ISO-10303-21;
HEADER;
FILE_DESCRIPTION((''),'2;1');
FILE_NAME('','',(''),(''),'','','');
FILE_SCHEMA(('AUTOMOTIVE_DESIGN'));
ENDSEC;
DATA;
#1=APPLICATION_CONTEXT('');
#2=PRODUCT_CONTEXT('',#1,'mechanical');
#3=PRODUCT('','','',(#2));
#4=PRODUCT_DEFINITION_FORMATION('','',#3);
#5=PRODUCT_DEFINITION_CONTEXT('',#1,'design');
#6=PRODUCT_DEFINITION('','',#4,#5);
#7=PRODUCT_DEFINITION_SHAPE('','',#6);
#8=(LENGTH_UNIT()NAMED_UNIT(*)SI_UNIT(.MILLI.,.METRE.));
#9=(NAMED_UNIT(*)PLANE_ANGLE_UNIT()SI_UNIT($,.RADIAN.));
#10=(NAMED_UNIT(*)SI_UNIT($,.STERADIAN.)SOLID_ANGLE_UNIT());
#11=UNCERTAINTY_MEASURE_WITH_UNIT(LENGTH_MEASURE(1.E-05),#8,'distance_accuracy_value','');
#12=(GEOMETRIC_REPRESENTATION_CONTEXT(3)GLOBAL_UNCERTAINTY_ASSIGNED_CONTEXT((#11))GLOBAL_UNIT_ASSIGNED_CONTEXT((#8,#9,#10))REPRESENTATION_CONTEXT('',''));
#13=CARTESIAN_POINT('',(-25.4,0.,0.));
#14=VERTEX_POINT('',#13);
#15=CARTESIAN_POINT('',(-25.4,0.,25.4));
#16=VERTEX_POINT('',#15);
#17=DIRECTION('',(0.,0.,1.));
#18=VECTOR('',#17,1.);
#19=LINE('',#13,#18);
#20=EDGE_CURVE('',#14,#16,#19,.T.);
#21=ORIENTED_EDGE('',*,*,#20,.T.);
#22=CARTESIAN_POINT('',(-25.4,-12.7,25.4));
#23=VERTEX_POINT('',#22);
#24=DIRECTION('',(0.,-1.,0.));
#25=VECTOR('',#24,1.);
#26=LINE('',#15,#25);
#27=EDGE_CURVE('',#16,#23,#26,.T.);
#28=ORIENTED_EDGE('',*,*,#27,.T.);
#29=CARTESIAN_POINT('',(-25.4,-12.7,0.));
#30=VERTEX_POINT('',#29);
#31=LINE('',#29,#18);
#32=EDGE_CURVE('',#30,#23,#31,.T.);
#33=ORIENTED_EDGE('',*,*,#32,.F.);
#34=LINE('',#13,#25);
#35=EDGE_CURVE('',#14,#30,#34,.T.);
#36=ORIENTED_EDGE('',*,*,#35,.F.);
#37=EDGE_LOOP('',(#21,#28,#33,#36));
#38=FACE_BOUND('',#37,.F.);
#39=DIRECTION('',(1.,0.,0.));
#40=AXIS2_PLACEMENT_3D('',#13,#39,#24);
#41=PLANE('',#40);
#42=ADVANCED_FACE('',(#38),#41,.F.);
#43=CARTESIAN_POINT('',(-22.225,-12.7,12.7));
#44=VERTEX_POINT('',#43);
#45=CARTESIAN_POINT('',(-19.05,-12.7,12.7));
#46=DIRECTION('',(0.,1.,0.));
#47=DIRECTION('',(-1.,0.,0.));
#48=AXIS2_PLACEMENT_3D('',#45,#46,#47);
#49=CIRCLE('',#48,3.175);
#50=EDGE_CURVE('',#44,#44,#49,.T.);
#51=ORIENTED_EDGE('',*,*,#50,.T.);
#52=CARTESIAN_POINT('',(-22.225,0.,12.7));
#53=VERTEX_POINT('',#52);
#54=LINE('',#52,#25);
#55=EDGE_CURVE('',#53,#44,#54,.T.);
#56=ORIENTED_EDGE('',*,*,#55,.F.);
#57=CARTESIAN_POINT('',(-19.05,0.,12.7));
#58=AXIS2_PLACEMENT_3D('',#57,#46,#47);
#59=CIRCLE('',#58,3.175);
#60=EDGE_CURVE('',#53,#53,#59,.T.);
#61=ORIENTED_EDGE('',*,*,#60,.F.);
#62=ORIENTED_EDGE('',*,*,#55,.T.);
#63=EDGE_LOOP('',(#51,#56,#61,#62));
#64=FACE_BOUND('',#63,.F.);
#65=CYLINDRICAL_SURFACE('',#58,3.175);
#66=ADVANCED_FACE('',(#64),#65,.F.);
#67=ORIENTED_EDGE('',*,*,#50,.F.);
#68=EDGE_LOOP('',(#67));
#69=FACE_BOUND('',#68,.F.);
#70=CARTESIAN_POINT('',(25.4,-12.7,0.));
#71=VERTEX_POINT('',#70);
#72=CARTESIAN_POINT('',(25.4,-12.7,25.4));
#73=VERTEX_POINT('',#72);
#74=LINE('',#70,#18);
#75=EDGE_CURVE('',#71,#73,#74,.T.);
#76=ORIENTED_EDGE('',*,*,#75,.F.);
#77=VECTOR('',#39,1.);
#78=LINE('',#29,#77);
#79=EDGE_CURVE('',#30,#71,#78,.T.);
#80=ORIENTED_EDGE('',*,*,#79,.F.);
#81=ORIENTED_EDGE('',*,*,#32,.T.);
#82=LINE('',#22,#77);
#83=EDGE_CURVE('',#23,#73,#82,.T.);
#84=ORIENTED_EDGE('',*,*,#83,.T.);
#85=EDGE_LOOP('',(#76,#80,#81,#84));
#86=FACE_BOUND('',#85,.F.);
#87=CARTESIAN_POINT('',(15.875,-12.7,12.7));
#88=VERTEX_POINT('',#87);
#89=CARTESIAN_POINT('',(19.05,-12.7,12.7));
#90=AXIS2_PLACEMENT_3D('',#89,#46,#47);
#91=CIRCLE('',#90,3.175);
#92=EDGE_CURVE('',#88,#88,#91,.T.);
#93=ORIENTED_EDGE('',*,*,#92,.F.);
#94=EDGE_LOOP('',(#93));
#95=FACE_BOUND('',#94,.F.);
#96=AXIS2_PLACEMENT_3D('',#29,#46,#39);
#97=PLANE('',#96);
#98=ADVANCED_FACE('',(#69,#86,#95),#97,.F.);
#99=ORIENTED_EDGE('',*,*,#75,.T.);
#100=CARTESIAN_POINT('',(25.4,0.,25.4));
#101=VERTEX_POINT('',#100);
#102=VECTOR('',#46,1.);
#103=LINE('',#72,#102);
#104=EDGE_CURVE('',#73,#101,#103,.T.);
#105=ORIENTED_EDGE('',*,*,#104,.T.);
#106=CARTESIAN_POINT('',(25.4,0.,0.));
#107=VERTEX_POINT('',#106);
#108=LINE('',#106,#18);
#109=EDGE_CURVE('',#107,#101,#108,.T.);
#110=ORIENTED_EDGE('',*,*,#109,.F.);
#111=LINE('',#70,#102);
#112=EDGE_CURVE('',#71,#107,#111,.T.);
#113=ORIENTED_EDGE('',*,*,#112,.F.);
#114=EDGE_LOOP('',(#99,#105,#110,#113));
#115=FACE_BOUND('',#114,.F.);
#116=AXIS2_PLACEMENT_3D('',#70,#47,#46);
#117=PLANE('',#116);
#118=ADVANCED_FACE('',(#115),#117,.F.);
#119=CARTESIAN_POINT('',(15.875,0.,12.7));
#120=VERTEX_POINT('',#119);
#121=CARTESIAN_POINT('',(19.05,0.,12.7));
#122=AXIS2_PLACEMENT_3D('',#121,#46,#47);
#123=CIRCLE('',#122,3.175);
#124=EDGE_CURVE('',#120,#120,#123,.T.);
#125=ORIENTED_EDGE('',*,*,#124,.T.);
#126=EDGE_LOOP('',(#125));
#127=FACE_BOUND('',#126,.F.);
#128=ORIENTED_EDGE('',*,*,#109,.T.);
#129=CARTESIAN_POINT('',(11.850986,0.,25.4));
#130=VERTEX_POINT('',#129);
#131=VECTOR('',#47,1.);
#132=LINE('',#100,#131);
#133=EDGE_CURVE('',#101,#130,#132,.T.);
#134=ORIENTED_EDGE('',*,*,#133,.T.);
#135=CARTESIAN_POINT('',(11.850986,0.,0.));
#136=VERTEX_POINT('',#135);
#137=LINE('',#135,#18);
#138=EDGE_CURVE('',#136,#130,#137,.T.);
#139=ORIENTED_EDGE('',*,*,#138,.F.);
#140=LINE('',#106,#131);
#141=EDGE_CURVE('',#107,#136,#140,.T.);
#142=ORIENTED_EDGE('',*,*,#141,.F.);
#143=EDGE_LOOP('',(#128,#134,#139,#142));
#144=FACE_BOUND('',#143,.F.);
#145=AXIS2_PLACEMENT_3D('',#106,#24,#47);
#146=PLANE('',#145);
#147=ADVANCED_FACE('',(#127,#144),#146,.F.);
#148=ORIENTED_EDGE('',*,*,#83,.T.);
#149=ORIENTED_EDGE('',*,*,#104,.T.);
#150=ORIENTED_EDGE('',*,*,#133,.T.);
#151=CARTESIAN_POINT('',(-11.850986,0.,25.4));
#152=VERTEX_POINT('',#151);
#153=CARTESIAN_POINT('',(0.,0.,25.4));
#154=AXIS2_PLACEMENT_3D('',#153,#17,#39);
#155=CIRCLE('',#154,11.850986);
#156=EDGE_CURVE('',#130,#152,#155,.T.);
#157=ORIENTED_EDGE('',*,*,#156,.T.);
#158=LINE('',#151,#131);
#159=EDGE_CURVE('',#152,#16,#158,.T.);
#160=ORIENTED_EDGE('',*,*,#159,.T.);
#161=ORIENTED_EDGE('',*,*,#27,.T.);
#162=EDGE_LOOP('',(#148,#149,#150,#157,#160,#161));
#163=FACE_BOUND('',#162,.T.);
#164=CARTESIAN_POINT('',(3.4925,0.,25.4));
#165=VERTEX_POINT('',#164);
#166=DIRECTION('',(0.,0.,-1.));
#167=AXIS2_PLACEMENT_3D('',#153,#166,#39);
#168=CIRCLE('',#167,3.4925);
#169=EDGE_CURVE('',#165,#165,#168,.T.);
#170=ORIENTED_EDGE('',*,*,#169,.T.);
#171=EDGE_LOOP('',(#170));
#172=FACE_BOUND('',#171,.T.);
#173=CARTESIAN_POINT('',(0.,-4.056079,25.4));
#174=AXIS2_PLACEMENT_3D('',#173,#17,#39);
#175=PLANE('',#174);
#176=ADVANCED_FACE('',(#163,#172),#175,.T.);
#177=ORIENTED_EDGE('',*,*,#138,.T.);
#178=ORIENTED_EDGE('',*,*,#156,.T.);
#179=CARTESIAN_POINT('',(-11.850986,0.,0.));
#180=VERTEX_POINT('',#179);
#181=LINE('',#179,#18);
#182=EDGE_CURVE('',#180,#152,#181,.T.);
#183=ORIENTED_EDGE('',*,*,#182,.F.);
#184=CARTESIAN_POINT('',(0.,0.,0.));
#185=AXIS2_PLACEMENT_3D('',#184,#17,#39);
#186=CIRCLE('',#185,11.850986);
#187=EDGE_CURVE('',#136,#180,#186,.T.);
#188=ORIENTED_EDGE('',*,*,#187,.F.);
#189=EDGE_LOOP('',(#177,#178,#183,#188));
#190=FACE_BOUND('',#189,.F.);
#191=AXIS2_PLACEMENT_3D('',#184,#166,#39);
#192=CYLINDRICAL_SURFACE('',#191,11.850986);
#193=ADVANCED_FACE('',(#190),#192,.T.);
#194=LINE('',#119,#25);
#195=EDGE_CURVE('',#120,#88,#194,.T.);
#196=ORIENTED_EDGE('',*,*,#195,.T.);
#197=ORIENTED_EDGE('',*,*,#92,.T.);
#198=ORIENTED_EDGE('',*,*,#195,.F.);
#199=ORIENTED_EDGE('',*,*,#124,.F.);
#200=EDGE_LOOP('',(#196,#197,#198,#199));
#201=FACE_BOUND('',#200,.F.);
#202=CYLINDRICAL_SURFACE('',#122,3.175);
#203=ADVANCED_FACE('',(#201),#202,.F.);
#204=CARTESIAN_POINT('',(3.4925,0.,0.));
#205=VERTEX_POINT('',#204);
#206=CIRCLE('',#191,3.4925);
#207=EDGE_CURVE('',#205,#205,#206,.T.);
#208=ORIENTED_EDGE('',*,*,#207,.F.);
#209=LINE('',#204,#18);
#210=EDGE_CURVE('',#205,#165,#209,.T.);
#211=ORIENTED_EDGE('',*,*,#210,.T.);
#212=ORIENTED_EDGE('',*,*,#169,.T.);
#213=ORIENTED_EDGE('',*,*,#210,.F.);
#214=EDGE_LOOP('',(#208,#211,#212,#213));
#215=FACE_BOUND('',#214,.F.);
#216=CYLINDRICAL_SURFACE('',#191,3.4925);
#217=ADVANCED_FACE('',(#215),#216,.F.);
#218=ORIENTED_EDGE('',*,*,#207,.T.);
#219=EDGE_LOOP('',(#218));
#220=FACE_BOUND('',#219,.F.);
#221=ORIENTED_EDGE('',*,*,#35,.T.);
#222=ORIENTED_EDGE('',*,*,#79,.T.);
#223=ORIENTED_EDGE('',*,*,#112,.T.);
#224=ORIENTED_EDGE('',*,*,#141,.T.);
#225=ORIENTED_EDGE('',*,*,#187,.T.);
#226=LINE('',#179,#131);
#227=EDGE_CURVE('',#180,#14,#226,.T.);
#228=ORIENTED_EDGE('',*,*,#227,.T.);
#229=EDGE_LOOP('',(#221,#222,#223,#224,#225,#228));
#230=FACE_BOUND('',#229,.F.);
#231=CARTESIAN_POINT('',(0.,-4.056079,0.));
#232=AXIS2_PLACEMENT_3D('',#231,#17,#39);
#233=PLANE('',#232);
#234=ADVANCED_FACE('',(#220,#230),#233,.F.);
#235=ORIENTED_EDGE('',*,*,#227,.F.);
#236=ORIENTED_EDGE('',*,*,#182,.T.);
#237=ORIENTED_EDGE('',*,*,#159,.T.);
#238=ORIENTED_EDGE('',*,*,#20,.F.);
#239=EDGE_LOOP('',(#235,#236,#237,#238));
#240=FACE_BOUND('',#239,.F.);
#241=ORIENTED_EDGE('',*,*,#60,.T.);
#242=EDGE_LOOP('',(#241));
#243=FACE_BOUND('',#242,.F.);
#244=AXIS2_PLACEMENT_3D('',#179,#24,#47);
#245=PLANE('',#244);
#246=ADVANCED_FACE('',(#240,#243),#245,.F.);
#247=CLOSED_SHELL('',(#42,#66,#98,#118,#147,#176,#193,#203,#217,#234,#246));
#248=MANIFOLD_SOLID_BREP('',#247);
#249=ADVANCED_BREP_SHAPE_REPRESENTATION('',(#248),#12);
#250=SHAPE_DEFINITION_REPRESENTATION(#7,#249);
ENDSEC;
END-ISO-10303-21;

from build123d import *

# Parameters (mm, degrees)
F1_DEPTH = 25.4
F2_R     = 3.175
F3_DEPTH = 25.4


with BuildPart() as f1:
    # F0 (on Top) → F1 (new body)
    with BuildSketch(Plane.XY):
        with BuildLine():
            Line((25.4, 0), (11.850986, 0))
            ThreePointArc((11.850986, 0), (0, 11.850986), (-11.850986, 0))
            Line((-11.850986, 0), (-25.4, 0))
            Line((-25.4, 0), (-25.4, -12.7))
            Line((-25.4, -12.7), (25.4, -12.7))
            Line((25.4, -12.7), (25.4, 0))
        make_face()
        with BuildLine():
            ThreePointArc((-3.4925, 0), (0, 3.4925), (3.4925, 0))
            ThreePointArc((3.4925, 0), (0, -3.4925), (-3.4925, 0))
        make_face(mode=Mode.SUBTRACT)
    extrude(amount=F1_DEPTH)

    # F2 (on face) → F3 (cut)
    with BuildSketch(Plane(origin=(0, 0, 0), x_dir=(-1, 0, 0), z_dir=(0, 1, 0))):
        with Locations((19.05, 12.7)):
            Circle(F2_R)
        with Locations((-19.05, 12.7)):
            Circle(F2_R)
    extrude(amount=-F3_DEPTH, mode=Mode.SUBTRACT)


solid = f1.part
